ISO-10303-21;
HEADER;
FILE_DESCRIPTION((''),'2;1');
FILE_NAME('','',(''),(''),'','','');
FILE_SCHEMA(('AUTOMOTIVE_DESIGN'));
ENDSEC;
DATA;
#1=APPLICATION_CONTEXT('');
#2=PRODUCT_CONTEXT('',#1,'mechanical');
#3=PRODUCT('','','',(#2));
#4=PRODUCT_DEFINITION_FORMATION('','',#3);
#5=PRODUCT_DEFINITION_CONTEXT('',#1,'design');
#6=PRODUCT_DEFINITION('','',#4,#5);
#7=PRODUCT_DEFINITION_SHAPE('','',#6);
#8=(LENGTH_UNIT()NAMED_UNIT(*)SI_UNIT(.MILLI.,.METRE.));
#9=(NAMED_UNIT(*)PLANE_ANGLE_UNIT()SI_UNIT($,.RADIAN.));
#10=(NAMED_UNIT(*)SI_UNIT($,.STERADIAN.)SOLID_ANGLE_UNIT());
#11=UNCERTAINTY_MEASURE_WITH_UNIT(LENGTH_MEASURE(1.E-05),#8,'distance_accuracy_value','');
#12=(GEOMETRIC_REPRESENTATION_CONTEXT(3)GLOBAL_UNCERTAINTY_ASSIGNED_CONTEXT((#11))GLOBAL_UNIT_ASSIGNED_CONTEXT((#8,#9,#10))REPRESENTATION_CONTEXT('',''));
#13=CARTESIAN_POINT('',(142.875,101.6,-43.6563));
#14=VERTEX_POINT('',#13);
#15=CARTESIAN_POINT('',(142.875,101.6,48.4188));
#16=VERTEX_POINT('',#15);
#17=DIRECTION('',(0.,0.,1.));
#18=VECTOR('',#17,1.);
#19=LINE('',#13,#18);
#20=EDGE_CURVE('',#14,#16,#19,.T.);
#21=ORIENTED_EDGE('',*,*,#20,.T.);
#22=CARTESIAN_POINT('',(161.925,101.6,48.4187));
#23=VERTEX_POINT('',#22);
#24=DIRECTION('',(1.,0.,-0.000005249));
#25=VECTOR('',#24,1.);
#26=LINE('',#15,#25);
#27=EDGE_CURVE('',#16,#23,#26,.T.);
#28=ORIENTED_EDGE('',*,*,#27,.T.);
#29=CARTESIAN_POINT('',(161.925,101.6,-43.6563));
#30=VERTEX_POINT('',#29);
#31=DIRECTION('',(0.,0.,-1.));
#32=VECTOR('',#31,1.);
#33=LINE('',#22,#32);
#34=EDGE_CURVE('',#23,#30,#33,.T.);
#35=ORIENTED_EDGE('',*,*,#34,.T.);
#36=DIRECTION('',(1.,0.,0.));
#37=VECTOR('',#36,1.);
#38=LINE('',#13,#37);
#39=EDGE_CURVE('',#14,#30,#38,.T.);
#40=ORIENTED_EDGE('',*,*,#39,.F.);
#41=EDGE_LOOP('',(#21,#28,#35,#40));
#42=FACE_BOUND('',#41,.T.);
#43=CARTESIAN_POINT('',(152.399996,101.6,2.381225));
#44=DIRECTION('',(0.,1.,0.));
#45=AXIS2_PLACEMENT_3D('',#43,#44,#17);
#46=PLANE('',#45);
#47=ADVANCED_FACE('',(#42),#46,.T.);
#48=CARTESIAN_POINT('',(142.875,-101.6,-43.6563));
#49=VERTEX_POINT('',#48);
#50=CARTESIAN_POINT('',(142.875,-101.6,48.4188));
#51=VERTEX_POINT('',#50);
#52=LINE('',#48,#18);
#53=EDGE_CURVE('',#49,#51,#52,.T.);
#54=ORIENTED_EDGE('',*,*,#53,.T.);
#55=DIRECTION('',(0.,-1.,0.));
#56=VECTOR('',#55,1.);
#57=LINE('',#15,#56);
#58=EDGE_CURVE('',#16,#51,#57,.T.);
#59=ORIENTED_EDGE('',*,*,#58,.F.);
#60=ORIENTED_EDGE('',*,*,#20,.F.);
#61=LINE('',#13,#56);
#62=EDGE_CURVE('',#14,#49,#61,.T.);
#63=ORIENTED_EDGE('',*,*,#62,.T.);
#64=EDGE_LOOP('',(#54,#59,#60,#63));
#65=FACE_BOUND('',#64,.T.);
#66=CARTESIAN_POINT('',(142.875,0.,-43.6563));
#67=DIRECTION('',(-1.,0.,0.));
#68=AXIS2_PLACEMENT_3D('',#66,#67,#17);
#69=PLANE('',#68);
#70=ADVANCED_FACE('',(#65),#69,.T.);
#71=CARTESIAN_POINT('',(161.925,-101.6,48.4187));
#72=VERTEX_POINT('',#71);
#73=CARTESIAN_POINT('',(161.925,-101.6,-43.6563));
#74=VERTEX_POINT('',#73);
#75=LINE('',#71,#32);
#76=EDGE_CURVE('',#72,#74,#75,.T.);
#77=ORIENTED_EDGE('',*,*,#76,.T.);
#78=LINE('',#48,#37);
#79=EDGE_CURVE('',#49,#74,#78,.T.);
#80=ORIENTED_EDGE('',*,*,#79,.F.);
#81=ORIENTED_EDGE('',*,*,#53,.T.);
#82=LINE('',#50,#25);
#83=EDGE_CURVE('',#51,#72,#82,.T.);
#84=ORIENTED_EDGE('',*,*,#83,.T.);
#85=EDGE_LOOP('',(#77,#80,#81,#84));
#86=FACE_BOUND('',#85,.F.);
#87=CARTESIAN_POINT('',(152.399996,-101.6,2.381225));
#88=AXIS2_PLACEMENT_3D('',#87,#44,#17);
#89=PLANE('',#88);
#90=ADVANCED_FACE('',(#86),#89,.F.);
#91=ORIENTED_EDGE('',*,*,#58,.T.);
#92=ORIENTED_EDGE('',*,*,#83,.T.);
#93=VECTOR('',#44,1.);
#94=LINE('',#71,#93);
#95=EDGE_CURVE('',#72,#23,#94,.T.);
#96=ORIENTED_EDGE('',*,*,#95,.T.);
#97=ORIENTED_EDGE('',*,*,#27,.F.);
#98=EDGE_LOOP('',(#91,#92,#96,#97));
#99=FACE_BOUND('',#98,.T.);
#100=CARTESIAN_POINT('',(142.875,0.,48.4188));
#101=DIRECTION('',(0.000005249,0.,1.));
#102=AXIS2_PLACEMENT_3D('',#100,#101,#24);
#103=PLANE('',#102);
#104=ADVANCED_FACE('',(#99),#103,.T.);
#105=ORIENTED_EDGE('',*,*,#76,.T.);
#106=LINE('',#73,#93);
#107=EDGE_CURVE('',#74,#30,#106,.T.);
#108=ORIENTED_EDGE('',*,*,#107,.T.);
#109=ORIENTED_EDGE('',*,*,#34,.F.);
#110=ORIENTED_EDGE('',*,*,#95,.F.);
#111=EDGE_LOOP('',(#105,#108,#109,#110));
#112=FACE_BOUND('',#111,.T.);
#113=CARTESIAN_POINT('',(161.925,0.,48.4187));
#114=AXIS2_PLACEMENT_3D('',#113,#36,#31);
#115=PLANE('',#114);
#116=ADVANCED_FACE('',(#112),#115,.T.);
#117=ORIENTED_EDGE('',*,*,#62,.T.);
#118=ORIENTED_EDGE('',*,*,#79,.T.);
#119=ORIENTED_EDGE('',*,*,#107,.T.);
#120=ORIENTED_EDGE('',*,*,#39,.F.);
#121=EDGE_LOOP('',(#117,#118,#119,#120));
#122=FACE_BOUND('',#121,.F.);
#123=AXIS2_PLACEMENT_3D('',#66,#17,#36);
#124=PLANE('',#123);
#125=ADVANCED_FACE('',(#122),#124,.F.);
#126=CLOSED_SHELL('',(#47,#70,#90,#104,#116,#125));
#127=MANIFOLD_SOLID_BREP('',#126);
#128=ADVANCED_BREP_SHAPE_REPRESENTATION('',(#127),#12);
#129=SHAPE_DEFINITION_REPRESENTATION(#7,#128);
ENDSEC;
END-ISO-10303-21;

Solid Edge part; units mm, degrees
sketch "Sketch1" plane through (0, 0, 0) normal (0, -1, 0) x (1, 0, 0)
  line L0 (142.875, 48.4188) -> (161.925, 48.4187)
  line L1 (161.925, 48.4187) -> (161.925, -43.6563)
  line L2 (142.875, -43.6563) -> (161.925, -43.6563)
  line L3 (142.875, -43.6563) -> (142.875, 48.4188)
  dimension "D1" = 19.05
extrude "Protrusion1" add sketch "Sketch1" along normal mid plane 203.2
